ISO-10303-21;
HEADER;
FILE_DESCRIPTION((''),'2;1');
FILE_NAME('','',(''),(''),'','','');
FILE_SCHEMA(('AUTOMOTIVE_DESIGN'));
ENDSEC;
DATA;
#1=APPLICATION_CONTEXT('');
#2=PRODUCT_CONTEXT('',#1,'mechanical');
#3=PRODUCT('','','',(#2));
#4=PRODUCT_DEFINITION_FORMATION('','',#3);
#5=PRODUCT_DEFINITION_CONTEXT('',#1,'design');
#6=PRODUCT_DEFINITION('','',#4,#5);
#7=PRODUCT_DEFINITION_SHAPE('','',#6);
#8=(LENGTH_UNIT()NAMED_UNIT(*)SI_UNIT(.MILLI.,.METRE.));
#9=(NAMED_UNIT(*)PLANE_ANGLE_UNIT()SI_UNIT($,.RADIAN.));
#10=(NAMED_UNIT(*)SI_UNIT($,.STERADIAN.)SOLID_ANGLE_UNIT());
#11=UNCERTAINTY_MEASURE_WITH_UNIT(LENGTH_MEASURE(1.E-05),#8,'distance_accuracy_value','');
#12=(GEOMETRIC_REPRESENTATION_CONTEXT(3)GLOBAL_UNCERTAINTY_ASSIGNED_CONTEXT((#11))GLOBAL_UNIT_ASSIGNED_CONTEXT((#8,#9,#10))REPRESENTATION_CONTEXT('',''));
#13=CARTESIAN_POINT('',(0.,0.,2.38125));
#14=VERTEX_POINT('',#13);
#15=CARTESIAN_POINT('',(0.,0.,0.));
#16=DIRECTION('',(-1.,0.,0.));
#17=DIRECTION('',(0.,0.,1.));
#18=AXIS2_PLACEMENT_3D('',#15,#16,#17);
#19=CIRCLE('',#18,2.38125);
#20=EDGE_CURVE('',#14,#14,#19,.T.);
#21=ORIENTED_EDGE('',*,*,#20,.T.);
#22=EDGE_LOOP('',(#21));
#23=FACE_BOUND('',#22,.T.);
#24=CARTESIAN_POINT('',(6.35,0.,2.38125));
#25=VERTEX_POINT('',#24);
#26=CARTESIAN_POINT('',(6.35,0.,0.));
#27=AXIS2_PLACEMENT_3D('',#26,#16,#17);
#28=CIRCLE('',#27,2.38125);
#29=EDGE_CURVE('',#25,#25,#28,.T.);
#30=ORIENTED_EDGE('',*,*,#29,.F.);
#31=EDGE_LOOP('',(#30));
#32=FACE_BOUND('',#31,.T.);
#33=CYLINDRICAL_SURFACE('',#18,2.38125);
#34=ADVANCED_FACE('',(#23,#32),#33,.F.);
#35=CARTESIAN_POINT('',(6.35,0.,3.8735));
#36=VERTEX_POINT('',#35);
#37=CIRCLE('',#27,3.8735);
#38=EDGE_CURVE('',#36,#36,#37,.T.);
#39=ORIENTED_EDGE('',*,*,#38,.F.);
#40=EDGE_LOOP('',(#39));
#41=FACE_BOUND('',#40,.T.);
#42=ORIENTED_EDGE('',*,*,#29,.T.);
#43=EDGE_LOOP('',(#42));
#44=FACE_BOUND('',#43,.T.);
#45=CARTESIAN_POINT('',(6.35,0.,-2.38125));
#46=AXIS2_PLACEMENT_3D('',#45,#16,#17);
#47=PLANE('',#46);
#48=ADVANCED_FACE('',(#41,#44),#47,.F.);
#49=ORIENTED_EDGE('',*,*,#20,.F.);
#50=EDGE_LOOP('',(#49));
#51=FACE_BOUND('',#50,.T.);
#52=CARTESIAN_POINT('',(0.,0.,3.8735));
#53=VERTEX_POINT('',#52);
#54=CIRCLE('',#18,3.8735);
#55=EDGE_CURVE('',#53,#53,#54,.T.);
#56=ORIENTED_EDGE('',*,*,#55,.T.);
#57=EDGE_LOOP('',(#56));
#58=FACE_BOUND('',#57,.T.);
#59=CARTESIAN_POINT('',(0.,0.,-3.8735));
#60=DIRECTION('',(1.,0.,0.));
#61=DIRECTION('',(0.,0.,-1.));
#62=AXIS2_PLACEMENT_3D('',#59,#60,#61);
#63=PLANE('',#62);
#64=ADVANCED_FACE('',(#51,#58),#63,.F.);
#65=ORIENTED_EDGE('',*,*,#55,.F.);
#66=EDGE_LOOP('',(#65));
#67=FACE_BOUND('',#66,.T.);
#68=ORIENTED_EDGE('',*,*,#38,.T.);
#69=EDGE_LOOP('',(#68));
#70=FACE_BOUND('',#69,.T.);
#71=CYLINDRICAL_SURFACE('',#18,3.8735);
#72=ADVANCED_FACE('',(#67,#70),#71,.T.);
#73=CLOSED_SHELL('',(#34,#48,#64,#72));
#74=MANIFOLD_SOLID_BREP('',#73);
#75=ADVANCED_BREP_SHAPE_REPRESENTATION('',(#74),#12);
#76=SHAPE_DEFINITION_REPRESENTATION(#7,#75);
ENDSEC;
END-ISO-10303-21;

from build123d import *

# Parameters (mm, degrees)
SKETCH1_W = 6.35
SKETCH1_H = 1.49225


with BuildPart() as part:
    # Sketch1 → Revolve1 (revolve)
    with BuildSketch(Plane(origin=(0, 0, 0), x_dir=(1, 0, 0), z_dir=(0, 1, 0))):
        with Locations((3.175, 3.127375)):
            Rectangle(SKETCH1_W, SKETCH1_H)
    revolve(axis=Axis((0, 0, 0), (1, 0, 0)))


solid = part.part
